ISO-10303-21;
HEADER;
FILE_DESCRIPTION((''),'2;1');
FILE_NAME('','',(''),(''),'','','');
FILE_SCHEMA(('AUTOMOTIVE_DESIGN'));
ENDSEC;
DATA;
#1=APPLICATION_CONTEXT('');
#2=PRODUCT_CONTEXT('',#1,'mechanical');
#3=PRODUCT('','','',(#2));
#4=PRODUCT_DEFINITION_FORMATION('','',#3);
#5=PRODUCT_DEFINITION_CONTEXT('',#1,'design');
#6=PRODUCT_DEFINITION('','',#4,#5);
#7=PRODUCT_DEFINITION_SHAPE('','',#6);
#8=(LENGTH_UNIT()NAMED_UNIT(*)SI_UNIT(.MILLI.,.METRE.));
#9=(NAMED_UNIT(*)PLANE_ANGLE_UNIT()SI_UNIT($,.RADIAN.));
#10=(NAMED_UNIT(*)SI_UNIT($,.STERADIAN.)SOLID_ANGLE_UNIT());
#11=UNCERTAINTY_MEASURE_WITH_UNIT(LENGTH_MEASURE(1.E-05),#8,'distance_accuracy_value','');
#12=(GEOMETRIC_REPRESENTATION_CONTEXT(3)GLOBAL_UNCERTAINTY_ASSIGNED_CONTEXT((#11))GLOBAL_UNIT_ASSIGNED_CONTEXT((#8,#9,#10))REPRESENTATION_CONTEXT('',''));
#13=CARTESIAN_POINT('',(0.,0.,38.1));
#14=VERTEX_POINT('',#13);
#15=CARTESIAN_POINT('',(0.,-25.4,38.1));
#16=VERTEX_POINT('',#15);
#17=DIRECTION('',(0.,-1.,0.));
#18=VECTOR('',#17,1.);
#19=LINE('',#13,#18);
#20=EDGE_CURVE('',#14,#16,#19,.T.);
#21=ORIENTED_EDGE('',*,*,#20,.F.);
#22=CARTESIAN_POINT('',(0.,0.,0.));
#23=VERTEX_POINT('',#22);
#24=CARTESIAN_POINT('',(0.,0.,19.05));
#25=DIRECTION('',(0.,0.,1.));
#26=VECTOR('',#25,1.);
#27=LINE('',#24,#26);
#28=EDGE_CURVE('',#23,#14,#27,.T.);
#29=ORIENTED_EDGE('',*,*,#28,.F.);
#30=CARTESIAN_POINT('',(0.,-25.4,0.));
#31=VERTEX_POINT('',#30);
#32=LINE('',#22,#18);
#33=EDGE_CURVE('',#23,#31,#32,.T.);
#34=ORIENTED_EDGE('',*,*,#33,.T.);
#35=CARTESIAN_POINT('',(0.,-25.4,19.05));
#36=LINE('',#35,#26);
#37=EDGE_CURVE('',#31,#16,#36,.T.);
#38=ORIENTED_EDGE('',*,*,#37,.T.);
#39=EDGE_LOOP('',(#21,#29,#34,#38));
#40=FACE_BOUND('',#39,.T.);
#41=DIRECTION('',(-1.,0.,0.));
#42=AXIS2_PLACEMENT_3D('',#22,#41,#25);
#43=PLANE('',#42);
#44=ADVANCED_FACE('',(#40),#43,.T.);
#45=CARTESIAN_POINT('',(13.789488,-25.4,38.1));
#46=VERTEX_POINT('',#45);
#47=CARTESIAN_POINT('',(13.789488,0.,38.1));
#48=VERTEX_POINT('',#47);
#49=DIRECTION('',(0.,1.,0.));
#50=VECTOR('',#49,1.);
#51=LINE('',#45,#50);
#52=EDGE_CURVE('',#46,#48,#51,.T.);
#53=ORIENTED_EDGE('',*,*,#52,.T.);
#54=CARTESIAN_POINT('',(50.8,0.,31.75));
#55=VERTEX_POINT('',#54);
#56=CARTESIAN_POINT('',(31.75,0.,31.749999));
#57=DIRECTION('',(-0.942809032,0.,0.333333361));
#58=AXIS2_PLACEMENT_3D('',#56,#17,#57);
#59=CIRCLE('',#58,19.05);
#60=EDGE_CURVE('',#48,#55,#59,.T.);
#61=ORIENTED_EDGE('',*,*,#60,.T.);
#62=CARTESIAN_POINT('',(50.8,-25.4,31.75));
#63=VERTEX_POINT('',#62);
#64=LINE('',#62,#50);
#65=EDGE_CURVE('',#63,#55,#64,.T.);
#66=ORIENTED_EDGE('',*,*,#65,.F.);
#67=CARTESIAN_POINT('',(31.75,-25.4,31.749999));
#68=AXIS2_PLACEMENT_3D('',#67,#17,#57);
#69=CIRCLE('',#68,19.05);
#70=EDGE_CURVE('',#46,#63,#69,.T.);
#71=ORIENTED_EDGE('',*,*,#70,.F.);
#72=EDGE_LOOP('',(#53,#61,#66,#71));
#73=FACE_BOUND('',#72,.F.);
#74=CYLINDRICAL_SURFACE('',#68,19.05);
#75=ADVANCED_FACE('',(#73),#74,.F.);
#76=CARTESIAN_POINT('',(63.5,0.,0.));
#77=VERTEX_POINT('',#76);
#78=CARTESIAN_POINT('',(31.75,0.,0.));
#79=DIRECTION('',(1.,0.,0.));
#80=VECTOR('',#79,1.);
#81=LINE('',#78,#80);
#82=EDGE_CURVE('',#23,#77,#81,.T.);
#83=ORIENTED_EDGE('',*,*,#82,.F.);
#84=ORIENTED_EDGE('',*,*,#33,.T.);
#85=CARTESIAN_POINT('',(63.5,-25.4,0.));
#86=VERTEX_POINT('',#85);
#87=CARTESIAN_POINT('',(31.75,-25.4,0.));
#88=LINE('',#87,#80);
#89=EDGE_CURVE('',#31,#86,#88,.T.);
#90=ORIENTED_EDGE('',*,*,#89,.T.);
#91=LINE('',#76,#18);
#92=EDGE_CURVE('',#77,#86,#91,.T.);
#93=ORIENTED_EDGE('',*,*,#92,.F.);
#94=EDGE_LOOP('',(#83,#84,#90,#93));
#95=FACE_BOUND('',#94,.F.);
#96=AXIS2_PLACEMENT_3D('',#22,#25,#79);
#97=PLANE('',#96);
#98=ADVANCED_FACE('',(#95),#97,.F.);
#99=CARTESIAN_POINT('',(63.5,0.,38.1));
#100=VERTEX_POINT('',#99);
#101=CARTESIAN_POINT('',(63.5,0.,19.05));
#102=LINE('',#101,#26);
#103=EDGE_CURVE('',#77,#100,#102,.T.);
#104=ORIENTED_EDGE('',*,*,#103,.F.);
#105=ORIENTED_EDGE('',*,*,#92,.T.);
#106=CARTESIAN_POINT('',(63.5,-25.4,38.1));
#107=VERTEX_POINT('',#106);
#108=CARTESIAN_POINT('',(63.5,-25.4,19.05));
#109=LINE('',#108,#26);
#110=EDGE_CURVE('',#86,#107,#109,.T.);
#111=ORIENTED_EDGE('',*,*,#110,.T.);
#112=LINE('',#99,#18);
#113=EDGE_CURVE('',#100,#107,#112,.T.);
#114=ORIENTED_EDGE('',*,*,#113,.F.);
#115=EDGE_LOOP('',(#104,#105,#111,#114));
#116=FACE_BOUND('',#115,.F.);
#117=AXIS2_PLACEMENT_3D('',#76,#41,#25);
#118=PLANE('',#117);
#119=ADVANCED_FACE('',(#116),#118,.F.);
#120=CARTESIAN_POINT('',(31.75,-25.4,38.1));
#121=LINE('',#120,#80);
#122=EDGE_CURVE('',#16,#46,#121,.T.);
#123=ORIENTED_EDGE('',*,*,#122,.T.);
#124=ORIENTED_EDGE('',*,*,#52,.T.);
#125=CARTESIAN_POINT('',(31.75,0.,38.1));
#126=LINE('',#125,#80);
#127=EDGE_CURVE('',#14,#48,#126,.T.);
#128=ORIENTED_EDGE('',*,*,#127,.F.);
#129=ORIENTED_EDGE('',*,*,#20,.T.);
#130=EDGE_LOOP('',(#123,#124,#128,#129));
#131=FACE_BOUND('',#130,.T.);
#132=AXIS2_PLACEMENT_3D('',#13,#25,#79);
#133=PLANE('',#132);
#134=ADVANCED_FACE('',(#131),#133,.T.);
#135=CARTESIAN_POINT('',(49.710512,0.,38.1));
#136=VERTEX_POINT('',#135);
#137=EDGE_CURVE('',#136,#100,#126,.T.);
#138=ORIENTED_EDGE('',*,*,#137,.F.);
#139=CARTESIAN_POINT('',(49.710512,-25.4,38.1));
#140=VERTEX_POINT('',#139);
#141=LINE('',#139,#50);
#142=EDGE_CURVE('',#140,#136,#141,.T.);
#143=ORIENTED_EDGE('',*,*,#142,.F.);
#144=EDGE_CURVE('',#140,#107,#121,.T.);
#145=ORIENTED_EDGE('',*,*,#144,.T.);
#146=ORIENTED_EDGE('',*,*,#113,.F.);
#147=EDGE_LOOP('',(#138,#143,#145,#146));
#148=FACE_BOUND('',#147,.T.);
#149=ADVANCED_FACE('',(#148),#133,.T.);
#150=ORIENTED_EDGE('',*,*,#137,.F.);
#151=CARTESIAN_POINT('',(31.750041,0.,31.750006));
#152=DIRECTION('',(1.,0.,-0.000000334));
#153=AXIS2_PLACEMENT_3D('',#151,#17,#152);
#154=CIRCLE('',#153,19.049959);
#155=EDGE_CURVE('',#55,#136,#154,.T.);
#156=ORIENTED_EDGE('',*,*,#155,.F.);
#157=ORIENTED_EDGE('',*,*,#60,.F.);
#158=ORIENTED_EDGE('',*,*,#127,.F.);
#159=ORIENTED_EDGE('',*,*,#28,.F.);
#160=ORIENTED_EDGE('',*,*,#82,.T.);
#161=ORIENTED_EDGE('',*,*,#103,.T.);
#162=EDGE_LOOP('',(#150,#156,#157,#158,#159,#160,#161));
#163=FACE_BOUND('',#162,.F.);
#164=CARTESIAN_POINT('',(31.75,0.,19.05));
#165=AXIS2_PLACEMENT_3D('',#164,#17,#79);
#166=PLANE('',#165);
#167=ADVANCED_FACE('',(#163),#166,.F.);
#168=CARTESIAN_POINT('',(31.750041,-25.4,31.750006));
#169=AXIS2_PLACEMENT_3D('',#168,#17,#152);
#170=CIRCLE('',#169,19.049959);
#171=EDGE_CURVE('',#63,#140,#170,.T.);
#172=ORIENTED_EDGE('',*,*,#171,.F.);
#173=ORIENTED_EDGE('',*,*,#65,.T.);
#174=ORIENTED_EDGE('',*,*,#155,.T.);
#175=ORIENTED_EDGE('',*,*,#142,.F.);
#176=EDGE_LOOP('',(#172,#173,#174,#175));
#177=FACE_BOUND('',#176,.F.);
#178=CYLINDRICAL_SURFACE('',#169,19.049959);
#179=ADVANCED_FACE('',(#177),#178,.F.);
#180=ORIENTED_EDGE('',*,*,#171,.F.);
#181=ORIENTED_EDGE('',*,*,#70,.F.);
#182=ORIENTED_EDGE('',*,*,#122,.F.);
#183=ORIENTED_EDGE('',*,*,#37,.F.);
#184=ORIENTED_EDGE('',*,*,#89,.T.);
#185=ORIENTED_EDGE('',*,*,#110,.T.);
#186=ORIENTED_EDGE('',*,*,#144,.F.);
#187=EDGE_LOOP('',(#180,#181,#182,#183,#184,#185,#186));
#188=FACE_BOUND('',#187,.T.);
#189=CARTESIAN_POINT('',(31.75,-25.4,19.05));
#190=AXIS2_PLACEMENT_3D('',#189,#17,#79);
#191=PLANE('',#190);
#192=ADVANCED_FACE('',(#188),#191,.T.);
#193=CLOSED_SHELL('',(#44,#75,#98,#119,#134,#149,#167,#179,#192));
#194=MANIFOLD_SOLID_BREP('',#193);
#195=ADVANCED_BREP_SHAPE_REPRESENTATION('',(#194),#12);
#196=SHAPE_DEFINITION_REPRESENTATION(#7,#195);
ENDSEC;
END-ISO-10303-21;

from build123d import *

# Parameters (mm, degrees)
F0_W     = 63.5
F0_H     = 38.1
F1_DEPTH = 25.4
F3_DEPTH = 25.4


with BuildPart() as f1:
    # F0 (on Front) → F1 (new body)
    with BuildSketch(Plane.XZ):
        with Locations((31.75, 19.05)):
            Rectangle(F0_W, F0_H)
    extrude(amount=F1_DEPTH)

    # F2 (on face) → F3 (cut)
    with BuildSketch(Plane.XZ.offset(25.4)):
        with BuildLine():
            ThreePointArc((13.789488, 38.1), (28.528607, 12.974347), (50.8, 31.75))
            ThreePointArc((50.8, 31.75), (50.525653, 34.971393), (49.710512, 38.1))
            Line((49.710512, 38.1), (13.789488, 38.1))
        make_face()
    extrude(amount=-F3_DEPTH, mode=Mode.SUBTRACT)


solid = f1.part
